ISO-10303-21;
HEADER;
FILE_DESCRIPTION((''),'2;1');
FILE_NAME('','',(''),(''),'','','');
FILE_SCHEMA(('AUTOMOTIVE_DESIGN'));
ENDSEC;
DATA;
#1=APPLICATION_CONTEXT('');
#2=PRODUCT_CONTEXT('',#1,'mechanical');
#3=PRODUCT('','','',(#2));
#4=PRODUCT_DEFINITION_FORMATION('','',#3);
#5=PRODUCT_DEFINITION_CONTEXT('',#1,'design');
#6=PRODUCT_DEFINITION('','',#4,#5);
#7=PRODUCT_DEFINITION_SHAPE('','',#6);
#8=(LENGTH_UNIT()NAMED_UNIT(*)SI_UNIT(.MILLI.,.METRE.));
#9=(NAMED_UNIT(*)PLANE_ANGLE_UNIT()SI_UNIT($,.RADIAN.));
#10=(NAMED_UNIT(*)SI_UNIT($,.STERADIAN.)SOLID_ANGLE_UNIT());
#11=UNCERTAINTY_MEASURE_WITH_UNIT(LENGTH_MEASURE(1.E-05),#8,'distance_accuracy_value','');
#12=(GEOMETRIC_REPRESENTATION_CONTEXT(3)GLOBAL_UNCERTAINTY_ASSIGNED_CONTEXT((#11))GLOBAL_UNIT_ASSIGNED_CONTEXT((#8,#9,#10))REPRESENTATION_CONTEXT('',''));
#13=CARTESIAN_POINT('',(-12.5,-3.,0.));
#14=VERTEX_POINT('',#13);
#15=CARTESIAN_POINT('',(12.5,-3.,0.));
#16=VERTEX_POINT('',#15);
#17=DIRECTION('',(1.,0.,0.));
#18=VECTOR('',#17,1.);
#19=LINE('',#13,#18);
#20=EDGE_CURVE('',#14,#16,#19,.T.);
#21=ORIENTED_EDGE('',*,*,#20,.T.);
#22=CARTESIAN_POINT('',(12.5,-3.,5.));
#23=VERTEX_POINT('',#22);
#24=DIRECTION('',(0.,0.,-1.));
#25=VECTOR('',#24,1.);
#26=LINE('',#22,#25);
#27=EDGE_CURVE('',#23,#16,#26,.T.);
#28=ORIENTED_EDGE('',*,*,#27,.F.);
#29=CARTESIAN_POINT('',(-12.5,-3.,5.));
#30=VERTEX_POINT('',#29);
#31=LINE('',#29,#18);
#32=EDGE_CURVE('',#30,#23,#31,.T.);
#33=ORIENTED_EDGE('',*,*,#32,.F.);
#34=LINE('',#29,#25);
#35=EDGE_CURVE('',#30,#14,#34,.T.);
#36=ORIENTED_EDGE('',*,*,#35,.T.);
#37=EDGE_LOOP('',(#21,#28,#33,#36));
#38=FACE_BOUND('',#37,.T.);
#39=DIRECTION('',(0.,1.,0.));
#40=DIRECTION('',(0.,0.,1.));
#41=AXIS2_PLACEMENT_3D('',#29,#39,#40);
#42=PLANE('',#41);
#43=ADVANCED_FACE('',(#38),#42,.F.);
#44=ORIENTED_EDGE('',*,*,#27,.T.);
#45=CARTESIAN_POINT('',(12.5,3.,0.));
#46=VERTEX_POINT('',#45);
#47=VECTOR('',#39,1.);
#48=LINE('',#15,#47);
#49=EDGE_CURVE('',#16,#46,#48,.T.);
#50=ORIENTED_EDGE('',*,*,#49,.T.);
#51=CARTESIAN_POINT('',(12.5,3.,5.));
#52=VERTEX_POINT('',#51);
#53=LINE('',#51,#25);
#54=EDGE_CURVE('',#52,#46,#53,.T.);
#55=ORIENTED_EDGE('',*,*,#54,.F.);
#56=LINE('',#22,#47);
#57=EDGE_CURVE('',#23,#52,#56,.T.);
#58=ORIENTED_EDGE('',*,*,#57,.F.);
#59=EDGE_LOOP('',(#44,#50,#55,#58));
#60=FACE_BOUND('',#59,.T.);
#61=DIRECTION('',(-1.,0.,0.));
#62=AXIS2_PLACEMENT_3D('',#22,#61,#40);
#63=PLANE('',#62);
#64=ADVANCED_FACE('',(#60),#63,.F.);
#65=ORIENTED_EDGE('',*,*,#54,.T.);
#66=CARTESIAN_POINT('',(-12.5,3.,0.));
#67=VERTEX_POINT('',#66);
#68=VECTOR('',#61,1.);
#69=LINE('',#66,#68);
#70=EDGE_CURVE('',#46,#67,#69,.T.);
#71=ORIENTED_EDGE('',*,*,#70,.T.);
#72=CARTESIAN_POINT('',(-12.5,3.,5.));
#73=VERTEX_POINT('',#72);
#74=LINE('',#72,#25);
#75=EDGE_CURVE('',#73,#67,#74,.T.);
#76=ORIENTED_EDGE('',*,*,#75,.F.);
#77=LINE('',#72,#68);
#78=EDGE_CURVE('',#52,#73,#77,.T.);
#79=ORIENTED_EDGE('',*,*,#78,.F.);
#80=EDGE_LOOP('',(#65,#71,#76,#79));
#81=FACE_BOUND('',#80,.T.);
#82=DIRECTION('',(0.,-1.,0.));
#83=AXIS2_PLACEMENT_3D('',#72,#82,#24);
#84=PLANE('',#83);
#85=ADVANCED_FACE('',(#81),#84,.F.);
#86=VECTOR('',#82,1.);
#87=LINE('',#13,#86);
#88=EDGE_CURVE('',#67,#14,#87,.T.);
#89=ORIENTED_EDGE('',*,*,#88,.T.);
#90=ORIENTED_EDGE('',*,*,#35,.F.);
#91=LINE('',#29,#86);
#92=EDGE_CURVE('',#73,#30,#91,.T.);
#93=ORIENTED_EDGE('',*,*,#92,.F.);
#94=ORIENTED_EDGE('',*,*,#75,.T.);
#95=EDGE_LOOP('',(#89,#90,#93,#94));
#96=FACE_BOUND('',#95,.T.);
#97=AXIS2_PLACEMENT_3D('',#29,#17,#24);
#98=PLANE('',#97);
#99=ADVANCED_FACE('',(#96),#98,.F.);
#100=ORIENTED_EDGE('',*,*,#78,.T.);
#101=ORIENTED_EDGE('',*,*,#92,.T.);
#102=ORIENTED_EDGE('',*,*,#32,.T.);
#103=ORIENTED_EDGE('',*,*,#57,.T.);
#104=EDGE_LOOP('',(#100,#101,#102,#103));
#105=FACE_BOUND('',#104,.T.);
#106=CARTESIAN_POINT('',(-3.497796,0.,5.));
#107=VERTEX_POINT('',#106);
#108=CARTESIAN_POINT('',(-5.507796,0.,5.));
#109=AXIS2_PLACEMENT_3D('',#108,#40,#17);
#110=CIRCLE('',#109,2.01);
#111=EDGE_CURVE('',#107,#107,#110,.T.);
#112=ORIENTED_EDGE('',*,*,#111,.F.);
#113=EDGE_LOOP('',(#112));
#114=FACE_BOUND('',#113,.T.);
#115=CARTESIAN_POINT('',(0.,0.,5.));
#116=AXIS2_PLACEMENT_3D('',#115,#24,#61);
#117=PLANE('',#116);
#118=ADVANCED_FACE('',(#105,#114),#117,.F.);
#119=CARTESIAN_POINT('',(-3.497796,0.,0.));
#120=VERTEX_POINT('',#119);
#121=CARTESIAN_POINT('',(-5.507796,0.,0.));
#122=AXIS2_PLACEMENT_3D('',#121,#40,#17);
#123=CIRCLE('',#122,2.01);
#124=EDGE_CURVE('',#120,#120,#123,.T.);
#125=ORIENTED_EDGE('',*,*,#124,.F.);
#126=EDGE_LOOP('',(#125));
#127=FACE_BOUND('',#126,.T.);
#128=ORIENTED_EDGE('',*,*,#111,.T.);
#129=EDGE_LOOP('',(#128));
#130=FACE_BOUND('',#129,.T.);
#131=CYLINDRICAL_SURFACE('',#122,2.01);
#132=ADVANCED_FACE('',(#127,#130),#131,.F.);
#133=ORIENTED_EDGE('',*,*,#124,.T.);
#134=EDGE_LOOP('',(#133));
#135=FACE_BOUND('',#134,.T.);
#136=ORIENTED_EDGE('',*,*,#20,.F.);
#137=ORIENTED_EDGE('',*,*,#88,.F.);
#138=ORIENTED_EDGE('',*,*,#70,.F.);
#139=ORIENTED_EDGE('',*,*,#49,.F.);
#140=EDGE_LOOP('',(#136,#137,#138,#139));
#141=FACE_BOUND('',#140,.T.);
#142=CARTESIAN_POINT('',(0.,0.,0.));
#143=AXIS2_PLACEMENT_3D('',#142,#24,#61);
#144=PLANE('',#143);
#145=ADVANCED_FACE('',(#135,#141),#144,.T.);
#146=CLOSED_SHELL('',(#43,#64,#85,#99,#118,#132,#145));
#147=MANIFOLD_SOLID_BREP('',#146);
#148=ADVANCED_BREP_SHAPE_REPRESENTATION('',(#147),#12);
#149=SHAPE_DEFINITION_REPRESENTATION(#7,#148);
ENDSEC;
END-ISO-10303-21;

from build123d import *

# Parameters (mm, degrees)
SKETCH1_W           = 25
SKETCH1_H           = 6
BOSS_EXTRUDE1_DEPTH = 5
SKETCH2_R           = 2.01
CUT_EXTRUDE1_DEPTH  = 5


with BuildPart() as part:
    # Sketch1 → Boss-Extrude1 (new body)
    with BuildSketch(Plane.XY):
        Rectangle(SKETCH1_W, SKETCH1_H)
    extrude(amount=BOSS_EXTRUDE1_DEPTH)

    # Sketch2 → Cut-Extrude1 (cut)
    with BuildSketch(Plane.XY.offset(5)):
        with Locations((-5.507795847, 0)):
            Circle(SKETCH2_R)
    extrude(amount=-CUT_EXTRUDE1_DEPTH, mode=Mode.SUBTRACT)


solid = part.part
